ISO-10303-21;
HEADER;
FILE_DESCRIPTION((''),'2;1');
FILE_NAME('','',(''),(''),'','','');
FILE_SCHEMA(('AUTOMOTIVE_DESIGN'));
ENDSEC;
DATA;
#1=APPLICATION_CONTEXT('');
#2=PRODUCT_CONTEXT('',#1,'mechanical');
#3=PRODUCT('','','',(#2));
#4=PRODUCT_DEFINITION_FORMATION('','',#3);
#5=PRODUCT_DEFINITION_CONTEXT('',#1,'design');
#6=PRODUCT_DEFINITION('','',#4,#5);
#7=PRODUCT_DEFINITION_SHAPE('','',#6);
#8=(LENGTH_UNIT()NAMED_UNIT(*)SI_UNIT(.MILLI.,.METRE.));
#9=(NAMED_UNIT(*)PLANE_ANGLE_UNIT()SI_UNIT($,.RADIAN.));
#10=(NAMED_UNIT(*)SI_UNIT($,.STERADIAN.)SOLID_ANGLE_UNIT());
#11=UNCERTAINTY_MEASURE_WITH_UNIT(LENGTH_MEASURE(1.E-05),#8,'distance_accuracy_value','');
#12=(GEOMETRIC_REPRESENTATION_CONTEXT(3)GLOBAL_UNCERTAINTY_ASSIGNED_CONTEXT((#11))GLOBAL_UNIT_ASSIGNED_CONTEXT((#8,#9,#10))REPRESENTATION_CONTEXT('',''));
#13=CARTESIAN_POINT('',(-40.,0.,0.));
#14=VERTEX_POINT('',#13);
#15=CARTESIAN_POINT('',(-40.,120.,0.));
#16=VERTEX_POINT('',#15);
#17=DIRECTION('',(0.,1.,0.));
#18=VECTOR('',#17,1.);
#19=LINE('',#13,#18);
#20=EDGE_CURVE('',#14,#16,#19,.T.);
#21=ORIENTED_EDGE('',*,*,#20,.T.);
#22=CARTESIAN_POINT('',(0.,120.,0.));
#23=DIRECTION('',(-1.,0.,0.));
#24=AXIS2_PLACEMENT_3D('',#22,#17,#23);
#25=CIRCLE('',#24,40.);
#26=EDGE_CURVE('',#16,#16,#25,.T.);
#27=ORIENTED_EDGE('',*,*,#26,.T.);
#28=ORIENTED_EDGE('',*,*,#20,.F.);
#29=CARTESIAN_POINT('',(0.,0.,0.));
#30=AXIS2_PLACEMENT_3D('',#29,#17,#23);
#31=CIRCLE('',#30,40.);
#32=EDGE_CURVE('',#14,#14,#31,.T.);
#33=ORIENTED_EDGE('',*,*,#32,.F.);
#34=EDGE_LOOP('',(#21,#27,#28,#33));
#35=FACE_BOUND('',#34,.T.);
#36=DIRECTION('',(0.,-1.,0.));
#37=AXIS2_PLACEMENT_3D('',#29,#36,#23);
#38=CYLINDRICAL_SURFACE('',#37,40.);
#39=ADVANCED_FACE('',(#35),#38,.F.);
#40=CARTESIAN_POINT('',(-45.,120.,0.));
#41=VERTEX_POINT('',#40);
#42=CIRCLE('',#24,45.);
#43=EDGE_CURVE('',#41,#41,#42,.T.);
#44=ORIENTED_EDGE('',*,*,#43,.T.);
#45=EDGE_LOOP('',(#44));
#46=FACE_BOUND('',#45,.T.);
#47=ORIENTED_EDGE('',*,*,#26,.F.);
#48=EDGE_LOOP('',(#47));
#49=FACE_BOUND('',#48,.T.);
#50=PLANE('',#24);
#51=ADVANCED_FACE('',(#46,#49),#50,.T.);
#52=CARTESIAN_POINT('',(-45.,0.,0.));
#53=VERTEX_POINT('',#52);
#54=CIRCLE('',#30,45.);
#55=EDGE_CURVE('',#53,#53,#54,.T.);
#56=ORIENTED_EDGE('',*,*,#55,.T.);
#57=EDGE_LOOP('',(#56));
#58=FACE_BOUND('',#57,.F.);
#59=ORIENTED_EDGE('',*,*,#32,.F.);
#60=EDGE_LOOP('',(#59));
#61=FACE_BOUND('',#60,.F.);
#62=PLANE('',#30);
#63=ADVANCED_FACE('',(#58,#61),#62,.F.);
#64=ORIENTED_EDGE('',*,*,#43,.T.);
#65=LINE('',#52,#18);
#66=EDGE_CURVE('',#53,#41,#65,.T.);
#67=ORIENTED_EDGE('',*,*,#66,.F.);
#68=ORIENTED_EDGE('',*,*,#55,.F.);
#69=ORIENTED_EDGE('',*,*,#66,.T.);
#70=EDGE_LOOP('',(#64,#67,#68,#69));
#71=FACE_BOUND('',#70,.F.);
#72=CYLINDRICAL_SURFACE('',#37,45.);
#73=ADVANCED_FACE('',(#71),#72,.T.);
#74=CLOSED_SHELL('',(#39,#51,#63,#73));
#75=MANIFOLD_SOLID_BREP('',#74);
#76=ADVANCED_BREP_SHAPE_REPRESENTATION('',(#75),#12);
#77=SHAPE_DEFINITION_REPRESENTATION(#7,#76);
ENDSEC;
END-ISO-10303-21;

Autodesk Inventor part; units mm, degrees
ref_plane "YZ Plane" through (0, 0, 0) normal (1, 0, 0) x (0, 1, 0)
ref_plane "XZ Plane" through (0, 0, 0) normal (0, 1, 0) x (-1, 0, 0)
ref_plane "XY Plane" through (0, 0, 0) normal (0, 0, 1) x (1, 0, 0)
sketch "Boceto1" plane through (0, 0, 0) normal (0, 1, 0) x (-1, 0, 0)
  circle A0 centre (0, 0) radius 40
  circle A1 centre (0, 0) radius 45
  dimension "d0" = 80
  dimension "d1" = 90
extrude "Extrusión1" add sketch "Boceto1" along normal blind 120
ref_plane "Plano de trabajo2" through (0, 0, -45) normal (0, 0, -1) x (-1, 0, 0)
ref_plane "Plano de trabajo1" through (-210, 0, -55) normal (0, 0, -1) x (1, 0, 0)
properties part number "pie" material "Acero, fundido"
